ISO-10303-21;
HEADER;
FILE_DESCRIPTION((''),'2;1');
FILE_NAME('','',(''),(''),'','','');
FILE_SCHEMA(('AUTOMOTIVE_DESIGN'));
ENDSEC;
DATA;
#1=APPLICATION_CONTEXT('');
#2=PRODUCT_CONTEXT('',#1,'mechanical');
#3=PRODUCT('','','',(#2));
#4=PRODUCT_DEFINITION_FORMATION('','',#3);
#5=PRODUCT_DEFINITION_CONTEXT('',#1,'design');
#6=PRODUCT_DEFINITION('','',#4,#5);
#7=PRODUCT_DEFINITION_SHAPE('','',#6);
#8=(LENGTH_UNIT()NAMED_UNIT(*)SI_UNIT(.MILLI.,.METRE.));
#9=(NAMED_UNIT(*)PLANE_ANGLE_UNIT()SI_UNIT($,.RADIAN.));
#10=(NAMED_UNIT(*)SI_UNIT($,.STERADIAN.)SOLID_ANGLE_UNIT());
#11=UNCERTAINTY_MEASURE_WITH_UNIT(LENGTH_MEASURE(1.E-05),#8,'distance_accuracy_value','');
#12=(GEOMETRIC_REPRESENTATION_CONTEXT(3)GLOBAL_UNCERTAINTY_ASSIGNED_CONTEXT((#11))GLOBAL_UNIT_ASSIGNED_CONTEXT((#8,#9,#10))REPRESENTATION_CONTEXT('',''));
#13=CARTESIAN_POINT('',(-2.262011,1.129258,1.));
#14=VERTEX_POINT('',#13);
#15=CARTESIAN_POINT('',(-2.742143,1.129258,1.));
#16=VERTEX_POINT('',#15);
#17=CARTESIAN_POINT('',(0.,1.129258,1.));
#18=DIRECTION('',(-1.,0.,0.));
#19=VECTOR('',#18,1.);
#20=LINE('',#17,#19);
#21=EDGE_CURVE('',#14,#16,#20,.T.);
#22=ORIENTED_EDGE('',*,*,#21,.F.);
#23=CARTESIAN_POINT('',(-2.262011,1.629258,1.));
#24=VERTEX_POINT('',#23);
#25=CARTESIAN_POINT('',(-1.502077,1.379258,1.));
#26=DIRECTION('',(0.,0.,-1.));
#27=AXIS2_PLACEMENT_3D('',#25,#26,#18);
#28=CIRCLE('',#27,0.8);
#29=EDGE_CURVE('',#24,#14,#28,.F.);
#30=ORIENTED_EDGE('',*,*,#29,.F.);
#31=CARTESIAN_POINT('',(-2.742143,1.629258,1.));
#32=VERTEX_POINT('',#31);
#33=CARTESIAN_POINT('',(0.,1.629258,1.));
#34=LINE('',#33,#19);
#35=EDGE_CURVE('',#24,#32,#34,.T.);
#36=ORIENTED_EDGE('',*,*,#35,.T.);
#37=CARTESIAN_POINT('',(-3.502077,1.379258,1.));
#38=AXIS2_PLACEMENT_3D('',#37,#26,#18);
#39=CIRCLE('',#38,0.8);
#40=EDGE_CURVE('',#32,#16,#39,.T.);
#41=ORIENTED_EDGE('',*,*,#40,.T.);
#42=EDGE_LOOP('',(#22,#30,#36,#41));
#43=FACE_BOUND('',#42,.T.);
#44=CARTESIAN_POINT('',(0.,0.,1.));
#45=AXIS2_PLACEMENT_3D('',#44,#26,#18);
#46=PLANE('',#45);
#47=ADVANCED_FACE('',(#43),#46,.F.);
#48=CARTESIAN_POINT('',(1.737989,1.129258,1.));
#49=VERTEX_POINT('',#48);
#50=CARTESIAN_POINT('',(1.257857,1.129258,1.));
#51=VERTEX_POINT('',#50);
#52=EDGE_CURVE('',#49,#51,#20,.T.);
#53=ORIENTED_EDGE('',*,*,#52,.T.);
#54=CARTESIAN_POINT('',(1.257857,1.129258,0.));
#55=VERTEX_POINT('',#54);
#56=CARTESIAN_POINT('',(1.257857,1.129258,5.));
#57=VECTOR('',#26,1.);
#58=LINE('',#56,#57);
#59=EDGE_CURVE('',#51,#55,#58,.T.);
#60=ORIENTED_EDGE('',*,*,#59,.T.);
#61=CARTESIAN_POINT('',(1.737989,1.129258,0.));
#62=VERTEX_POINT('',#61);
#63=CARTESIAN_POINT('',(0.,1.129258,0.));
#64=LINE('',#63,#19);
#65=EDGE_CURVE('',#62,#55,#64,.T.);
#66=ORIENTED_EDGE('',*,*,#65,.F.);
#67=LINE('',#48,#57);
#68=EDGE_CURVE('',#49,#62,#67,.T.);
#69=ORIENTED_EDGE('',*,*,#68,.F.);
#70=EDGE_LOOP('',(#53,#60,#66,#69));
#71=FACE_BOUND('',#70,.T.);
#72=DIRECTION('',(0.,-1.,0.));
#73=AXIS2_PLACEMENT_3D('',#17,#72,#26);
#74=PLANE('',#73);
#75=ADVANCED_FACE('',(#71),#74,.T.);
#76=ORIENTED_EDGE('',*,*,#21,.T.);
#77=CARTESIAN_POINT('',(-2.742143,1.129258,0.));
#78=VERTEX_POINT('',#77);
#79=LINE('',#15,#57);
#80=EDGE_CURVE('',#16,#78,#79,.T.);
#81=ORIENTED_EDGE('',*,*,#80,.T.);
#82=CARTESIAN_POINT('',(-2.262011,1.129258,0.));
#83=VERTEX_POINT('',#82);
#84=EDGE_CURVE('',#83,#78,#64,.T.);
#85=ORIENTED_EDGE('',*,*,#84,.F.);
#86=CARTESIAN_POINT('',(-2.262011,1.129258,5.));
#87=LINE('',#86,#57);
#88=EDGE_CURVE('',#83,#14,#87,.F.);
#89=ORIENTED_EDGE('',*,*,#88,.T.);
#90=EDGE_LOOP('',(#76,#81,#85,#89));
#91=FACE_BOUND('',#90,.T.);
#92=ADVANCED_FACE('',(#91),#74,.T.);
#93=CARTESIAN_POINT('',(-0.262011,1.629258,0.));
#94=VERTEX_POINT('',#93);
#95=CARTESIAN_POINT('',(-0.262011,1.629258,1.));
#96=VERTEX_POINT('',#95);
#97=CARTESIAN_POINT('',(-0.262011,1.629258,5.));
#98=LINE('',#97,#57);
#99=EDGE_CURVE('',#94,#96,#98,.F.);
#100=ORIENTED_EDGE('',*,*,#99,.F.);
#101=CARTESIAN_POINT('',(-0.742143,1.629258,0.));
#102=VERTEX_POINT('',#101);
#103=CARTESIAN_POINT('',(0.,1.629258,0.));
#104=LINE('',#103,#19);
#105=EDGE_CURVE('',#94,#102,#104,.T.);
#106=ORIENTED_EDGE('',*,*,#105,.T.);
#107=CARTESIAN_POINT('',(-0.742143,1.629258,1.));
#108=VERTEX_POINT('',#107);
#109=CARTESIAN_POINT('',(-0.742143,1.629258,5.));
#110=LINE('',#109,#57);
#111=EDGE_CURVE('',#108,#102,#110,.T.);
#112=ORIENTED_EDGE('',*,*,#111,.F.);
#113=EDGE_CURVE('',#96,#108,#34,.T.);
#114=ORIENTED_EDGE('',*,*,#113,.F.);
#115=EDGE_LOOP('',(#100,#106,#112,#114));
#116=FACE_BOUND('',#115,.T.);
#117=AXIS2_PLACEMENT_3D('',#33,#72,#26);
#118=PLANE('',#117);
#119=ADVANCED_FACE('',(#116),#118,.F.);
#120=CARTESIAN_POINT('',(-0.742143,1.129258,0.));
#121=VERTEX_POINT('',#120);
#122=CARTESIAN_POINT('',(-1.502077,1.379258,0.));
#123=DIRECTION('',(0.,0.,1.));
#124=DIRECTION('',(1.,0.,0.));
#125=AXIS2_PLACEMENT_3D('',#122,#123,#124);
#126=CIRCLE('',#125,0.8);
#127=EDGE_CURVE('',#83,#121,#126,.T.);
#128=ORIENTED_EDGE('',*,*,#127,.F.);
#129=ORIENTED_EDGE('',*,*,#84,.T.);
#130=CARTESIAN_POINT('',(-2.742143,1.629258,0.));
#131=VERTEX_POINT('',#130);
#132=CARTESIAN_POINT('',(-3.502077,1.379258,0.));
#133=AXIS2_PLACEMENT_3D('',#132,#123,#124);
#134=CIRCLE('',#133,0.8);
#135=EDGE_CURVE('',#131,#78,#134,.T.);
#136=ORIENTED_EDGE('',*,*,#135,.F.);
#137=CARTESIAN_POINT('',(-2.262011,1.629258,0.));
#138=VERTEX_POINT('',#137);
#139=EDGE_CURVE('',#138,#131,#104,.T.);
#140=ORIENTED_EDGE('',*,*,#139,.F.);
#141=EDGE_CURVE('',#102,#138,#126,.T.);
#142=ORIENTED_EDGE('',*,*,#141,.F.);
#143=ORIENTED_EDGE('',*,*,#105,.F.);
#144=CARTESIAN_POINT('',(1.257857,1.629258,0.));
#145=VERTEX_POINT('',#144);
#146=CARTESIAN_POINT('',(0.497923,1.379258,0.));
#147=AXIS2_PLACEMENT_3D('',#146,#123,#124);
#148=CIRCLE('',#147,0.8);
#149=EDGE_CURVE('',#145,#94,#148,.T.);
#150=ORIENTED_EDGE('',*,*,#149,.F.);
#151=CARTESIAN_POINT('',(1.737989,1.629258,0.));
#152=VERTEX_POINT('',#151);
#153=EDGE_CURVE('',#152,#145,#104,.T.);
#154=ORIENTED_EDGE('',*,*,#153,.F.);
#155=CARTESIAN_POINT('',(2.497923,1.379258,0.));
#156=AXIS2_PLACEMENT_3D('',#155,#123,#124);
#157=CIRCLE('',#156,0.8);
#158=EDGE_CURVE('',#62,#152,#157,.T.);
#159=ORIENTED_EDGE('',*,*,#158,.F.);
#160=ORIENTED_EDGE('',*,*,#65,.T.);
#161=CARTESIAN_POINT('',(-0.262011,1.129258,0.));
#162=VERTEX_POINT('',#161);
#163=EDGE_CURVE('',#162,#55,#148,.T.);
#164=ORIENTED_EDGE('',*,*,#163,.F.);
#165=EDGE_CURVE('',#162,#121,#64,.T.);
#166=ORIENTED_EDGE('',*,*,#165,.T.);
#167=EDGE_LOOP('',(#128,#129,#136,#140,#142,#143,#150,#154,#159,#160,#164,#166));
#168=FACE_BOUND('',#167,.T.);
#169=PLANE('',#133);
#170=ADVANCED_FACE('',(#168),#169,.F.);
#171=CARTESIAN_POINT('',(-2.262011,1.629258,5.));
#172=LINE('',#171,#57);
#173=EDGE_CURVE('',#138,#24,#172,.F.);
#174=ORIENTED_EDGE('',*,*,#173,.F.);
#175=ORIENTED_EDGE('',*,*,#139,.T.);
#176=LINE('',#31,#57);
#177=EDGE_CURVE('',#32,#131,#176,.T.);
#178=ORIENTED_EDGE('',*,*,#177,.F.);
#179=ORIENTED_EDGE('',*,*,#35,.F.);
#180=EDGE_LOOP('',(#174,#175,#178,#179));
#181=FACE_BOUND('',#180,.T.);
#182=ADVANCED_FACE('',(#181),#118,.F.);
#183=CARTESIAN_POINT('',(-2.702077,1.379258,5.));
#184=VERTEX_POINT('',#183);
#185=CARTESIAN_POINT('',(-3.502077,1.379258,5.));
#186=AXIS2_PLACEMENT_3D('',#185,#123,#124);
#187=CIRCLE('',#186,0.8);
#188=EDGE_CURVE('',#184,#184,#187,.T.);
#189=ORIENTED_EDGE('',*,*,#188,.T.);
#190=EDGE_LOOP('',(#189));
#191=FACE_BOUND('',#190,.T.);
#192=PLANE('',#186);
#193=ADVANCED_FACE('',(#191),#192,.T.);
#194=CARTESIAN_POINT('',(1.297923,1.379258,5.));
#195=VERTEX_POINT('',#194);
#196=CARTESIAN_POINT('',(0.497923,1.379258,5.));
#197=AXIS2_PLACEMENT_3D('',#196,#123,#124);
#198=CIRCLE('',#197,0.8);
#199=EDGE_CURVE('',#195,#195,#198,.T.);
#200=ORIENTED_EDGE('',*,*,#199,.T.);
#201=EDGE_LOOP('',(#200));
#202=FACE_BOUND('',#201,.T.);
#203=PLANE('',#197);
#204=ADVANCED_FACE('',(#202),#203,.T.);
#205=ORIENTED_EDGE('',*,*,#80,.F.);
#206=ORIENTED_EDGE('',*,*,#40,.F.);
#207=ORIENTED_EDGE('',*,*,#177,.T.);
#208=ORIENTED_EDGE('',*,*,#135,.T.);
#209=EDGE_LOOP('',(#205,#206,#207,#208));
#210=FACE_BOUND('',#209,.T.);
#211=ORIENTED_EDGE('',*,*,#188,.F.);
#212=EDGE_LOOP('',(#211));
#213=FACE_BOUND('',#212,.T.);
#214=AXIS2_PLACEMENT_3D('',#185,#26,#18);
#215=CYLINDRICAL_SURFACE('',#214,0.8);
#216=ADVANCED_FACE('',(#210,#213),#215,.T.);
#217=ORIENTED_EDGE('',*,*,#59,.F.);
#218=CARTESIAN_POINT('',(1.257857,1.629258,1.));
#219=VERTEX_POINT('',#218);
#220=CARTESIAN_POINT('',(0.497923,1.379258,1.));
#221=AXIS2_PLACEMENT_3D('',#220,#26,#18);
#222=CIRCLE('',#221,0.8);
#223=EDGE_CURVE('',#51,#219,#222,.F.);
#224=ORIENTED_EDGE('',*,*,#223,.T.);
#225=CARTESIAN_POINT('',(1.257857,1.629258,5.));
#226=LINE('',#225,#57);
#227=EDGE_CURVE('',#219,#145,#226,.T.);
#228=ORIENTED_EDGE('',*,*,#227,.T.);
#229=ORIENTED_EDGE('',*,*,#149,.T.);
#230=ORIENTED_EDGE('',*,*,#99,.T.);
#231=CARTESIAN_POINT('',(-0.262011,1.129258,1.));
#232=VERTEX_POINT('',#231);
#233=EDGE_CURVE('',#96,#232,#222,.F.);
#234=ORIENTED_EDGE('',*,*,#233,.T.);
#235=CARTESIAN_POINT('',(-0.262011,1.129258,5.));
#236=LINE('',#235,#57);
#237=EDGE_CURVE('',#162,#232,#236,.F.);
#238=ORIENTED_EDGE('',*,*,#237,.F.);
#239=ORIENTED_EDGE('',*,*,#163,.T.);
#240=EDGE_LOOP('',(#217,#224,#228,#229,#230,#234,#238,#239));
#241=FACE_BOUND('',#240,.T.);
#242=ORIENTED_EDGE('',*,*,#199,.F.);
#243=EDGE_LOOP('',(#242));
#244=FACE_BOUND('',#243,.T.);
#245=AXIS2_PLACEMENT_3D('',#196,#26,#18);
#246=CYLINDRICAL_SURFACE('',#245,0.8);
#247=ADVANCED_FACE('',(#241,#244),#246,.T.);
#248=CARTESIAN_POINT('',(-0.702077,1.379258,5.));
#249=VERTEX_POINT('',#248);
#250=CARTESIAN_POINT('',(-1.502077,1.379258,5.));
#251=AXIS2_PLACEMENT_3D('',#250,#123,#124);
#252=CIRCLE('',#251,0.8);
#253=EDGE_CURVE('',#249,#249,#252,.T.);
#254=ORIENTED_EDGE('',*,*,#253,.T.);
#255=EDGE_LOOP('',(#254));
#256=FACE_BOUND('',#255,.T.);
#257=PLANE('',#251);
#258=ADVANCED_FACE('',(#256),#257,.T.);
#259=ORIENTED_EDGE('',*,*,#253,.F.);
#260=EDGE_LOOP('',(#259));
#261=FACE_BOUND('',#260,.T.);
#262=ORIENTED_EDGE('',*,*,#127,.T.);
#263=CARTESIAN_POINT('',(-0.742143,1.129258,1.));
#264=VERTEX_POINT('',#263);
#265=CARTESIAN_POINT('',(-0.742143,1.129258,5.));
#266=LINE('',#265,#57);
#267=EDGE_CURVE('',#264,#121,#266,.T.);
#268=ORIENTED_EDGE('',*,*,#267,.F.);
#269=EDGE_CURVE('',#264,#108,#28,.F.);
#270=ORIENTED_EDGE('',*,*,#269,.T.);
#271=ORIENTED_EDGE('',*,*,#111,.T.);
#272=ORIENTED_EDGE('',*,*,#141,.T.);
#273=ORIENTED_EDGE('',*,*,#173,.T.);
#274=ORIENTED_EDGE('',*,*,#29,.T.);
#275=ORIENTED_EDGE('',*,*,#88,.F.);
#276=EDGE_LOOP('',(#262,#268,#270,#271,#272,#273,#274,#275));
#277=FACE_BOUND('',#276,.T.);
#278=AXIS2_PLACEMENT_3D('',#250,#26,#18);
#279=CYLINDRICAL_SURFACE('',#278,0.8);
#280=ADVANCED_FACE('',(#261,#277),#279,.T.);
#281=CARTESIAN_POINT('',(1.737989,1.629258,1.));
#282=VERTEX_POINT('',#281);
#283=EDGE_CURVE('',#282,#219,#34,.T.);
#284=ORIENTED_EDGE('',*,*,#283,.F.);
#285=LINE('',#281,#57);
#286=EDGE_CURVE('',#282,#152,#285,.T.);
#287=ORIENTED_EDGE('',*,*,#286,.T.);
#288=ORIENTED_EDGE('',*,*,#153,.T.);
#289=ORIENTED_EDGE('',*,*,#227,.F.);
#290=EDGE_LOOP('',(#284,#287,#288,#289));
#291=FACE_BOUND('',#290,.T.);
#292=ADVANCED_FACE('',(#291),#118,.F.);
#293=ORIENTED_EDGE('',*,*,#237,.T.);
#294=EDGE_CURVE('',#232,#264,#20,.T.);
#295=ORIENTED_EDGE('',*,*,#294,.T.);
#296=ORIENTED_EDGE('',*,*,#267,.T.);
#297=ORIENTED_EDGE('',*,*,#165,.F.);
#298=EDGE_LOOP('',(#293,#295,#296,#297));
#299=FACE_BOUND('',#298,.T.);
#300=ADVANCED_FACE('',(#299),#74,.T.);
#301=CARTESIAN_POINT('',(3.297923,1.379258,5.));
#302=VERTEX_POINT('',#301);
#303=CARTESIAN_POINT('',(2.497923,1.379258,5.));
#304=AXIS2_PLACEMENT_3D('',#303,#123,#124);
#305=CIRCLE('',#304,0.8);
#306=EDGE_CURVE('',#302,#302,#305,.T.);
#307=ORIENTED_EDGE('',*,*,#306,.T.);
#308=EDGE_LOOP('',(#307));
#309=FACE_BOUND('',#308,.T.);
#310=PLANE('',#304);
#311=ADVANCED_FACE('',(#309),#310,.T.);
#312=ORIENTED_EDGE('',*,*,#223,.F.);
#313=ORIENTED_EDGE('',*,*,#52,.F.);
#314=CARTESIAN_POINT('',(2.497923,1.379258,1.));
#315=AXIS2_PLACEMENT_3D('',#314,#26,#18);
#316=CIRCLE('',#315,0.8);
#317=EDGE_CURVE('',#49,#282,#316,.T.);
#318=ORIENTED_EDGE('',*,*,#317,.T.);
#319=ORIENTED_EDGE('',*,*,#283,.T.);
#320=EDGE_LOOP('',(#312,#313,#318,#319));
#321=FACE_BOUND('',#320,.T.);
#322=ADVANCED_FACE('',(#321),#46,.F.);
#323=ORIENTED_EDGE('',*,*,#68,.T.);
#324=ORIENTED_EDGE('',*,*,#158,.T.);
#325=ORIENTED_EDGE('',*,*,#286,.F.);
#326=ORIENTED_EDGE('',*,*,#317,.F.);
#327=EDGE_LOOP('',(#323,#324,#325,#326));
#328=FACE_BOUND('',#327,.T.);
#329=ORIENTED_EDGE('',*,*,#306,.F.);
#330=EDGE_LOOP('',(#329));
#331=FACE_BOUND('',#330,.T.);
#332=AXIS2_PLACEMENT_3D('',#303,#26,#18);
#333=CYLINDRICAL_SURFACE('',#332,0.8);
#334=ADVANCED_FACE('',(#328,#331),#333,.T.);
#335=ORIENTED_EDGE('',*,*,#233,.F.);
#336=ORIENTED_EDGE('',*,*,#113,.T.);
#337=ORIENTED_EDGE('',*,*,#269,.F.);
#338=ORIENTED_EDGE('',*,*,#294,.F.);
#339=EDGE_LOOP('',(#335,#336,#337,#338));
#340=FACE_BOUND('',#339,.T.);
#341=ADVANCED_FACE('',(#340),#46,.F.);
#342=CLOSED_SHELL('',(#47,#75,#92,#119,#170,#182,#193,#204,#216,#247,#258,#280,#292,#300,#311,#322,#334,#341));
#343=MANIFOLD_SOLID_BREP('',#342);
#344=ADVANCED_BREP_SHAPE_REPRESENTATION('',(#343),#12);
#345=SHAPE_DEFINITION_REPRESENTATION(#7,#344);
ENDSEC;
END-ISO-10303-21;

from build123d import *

# Parameters (mm, degrees)
ESBO_O1_R                  = 0.8
RESSALTO_EXTRUS_O1_DEPTH   = 5
RESSALTO_EXTRUS_O1_2_DEPTH = 5
RESSALTO_EXTRUS_O1_3_DEPTH = 5
RESSALTO_EXTRUS_O1_4_DEPTH = 5
ESBO_O2_R                  = 0.8
ESBO_O2_W                  = 5
ESBO_O2_H                  = 0.5
RESSALTO_EXTRUS_O2_DEPTH   = 1


with BuildPart() as part:
    # Esboço1 → Ressalto-extrusão1 (new body)
    with BuildSketch(Plane.XY):
        with Locations((-3.502077011, 1.3792577)):
            Circle(ESBO_O1_R)
    extrude(amount=RESSALTO_EXTRUS_O1_DEPTH)



with BuildPart() as body_2:
    # Esboço1 → Ressalto-extrus_o1 2 (new body)
    with BuildSketch(Plane.XY):
        with Locations((-1.502077011, 1.3792577)):
            Circle(ESBO_O1_R)
    extrude(amount=RESSALTO_EXTRUS_O1_2_DEPTH)


with BuildPart() as body_3:
    # Esboço1 → Ressalto-extrus_o1 3 (new body)
    with BuildSketch(Plane.XY):
        with Locations((0.497922989, 1.3792577)):
            Circle(ESBO_O1_R)
    extrude(amount=RESSALTO_EXTRUS_O1_3_DEPTH)


with BuildPart() as body_4:
    # Esboço1 → Ressalto-extrus_o1 4 (new body)
    with BuildSketch(Plane.XY):
        with Locations((2.497922989, 1.3792577)):
            Circle(ESBO_O1_R)
    extrude(amount=RESSALTO_EXTRUS_O1_4_DEPTH)


with BuildPart() as part_1:
    add(part.part)

    add(body_2.part)  # Ressalto-extrusão2 merges body 2

    add(body_3.part)  # Ressalto-extrusão2 merges body 3

    add(body_4.part)  # Ressalto-extrusão2 merges body 4
    # Esboço2 → Ressalto-extrusão2 (add)
    with BuildSketch(Plane(origin=(0, 0, 0), x_dir=(-1, 0, 0), z_dir=(0, 0, -1))):
        with Locations((-2.497922989, 1.3792577)):
            Circle(ESBO_O2_R)
        with Locations((3.502077011, 1.3792577)):
            Circle(ESBO_O2_R)
        with Locations((0.502077011, 1.3792577)):
            Rectangle(ESBO_O2_W, ESBO_O2_H)
    extrude(amount=-RESSALTO_EXTRUS_O2_DEPTH)


solid = part_1.part
